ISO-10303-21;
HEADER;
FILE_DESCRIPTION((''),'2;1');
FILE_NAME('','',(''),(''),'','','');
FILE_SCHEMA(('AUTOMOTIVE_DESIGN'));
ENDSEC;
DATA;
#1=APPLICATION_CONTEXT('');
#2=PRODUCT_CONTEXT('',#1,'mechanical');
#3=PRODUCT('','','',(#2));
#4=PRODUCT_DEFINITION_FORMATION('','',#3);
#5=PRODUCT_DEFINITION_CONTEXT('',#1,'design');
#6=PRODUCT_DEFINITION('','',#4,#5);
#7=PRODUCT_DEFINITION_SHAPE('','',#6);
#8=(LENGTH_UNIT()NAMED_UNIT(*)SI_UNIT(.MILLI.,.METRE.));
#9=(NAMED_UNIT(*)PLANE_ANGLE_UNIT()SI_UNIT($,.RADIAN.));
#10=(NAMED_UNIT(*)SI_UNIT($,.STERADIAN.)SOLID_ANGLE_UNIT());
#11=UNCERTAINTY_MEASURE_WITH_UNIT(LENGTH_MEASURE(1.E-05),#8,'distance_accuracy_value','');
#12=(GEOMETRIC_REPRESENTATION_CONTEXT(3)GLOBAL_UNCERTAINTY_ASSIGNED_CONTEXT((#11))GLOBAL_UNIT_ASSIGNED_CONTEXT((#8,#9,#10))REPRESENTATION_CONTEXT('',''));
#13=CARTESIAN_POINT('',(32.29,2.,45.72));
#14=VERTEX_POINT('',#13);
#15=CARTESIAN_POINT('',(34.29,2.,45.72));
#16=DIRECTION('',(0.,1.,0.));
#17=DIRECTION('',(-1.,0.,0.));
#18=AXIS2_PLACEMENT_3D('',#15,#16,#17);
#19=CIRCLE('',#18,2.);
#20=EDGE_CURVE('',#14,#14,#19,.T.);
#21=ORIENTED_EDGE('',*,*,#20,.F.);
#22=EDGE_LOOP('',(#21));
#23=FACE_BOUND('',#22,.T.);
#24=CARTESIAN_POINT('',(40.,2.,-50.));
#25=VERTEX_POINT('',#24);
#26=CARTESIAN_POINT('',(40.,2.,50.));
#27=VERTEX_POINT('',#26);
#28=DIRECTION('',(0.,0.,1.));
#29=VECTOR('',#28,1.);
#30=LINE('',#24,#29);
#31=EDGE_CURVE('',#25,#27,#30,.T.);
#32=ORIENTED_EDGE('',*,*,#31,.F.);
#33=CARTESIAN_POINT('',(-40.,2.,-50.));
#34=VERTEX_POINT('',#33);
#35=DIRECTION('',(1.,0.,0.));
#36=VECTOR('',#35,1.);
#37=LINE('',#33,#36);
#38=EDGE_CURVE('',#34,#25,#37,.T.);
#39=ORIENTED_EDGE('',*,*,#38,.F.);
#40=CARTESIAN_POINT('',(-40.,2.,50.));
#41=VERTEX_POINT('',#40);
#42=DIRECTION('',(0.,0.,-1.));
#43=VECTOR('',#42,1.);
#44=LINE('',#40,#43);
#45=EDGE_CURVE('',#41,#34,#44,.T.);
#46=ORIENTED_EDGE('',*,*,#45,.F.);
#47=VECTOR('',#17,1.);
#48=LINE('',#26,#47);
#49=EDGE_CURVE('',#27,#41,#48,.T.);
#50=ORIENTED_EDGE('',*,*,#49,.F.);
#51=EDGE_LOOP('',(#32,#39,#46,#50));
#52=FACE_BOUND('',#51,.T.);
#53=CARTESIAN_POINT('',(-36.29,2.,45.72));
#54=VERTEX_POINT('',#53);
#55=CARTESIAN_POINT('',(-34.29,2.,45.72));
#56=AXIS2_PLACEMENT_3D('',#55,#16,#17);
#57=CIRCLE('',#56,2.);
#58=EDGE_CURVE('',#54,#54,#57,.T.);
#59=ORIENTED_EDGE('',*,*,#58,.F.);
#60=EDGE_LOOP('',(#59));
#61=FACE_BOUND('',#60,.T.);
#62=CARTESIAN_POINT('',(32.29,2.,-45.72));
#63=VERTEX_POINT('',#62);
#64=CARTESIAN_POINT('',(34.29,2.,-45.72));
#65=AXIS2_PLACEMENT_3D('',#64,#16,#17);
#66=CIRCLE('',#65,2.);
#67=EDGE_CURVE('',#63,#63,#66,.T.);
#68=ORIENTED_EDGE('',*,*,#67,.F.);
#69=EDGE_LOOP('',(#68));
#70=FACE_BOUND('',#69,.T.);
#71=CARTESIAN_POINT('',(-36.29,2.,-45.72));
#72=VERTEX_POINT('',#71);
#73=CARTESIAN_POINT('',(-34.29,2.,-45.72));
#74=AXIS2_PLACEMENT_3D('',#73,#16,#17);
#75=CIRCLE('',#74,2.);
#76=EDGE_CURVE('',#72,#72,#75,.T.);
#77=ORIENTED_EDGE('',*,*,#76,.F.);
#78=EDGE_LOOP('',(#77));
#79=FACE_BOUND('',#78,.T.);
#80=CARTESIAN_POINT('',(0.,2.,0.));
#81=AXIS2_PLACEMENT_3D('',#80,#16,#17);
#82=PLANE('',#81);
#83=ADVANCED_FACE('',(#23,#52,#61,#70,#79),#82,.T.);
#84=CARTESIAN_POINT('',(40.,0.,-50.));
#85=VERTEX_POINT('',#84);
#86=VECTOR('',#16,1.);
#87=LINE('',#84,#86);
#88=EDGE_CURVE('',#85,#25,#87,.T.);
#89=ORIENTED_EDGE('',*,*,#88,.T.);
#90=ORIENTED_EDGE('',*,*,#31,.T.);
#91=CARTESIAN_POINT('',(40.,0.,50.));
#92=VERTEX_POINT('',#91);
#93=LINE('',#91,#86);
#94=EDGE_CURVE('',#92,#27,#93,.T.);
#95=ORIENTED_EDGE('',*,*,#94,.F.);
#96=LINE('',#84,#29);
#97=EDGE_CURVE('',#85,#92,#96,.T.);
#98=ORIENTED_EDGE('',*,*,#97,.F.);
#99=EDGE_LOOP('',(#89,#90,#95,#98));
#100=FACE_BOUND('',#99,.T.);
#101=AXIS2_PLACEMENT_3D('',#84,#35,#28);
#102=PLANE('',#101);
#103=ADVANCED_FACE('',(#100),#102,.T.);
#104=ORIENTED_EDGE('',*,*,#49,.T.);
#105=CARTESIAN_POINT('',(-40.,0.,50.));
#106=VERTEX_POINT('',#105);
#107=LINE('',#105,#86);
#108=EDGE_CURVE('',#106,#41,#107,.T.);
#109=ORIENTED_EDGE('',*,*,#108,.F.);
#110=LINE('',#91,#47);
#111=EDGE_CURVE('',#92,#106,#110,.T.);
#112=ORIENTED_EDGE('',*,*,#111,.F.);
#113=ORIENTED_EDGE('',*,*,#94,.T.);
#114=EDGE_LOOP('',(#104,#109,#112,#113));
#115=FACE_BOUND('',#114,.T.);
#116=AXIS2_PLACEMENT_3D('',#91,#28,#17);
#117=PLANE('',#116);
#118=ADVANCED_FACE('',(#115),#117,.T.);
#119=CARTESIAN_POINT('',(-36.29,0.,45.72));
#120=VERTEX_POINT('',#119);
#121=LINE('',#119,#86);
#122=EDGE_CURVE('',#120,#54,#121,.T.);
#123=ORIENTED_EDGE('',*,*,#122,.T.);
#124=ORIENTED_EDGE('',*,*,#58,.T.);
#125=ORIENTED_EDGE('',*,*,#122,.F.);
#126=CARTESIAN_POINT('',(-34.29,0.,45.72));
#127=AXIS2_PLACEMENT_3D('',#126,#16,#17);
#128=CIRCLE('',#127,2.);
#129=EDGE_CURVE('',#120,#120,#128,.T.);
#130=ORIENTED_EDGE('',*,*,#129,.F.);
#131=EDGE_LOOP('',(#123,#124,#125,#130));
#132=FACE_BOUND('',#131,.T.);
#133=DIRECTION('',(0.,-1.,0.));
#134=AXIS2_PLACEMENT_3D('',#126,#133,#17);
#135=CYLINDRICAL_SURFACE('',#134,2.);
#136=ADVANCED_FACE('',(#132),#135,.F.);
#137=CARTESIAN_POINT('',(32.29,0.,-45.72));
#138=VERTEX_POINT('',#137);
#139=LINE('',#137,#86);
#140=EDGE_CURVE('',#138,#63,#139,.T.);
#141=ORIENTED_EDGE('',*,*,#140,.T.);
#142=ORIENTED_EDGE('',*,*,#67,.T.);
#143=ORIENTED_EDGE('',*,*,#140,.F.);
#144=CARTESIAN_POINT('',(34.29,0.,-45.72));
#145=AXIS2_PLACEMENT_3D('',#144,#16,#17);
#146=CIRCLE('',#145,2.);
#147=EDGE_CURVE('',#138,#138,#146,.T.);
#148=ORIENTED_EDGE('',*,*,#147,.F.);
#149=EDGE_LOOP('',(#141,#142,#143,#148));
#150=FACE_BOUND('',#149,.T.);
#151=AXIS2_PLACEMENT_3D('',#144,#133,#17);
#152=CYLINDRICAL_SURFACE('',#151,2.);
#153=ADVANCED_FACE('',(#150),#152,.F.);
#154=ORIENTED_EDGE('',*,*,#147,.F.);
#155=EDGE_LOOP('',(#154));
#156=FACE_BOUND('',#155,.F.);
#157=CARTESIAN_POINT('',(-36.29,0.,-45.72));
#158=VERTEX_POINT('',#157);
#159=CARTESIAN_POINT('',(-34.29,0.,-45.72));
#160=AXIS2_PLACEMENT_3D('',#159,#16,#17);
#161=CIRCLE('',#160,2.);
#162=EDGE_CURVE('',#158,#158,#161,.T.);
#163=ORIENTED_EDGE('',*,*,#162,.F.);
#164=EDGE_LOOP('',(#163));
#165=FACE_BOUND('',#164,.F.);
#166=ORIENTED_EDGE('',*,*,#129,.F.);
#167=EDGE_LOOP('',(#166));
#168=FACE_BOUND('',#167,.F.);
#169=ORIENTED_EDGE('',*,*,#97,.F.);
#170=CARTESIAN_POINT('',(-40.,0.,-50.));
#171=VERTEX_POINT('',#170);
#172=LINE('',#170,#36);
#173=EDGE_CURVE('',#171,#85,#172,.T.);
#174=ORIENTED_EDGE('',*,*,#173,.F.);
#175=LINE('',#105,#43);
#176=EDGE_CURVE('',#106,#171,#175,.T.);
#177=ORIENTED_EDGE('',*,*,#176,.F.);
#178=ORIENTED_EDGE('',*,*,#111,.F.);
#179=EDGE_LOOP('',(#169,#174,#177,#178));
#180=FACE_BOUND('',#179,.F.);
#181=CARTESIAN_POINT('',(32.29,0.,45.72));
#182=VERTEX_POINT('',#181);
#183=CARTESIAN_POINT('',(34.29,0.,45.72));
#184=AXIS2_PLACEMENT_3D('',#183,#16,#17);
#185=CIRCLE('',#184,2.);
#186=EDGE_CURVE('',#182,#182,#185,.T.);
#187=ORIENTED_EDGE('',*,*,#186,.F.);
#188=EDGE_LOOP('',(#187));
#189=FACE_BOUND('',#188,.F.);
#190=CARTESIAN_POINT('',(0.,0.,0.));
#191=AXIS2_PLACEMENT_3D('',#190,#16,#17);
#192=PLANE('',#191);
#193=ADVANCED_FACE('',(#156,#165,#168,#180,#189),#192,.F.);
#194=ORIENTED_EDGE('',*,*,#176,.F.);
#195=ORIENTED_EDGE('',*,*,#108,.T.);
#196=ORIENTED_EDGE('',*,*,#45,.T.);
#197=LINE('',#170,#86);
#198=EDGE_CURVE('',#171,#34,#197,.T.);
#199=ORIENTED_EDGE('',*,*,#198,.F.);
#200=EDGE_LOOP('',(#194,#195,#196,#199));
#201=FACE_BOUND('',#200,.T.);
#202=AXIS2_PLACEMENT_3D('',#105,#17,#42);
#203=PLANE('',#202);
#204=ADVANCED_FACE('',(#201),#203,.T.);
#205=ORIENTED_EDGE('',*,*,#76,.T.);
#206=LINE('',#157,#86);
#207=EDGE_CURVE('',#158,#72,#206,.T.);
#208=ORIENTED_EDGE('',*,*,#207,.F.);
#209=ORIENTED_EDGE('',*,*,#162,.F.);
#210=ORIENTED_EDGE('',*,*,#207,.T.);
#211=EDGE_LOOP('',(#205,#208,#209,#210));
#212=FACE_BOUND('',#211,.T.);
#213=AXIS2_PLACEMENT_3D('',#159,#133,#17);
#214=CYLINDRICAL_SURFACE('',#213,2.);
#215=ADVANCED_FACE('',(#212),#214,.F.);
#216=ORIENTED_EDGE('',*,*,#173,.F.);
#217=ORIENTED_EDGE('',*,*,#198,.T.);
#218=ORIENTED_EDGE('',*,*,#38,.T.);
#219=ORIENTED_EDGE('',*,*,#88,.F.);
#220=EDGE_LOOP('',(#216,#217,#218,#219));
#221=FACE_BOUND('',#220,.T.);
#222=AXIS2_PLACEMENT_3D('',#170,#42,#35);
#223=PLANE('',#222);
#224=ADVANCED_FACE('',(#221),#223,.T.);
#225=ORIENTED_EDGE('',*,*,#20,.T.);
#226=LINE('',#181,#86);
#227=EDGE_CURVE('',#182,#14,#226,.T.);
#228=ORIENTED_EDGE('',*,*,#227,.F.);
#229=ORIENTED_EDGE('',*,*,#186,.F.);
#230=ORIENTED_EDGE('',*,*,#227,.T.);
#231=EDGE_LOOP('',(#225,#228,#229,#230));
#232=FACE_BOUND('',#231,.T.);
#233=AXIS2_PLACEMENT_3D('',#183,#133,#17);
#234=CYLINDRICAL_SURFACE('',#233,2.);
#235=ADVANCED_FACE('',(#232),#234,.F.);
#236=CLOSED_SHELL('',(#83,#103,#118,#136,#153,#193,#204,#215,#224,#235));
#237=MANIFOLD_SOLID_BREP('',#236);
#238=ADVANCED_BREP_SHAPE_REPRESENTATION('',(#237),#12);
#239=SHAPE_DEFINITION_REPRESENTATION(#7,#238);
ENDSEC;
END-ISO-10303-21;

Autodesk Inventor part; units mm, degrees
ref_plane "YZ Plane" through (0, 0, 0) normal (1, 0, 0) x (0, 1, 0)
ref_plane "XZ Plane" through (0, 0, 0) normal (0, 1, 0) x (-1, 0, 0)
ref_plane "XY Plane" through (0, 0, 0) normal (0, 0, 1) x (1, 0, 0)
sketch "Sketch1" plane through (0, 0, 0) normal (0, 1, 0) x (-1, 0, 0)
  line L0 (-40, 50) -> (40, 50)
  line L1 (40, 50) -> (40, -50)
  line L2 (40, -50) -> (-40, -50)
  line L3 (-40, -50) -> (-40, 50)
  line L4 (-40, 50) -> (40, -50) construction
  line L5 (40, 50) -> (-40, -50) construction
  circle A0 centre (34.29, 45.72) radius 2
  line L6 (-34.29, 45.72) -> (34.29, 45.72) construction
  line L7 (34.29, 45.72) -> (34.29, -45.72) construction
  line L8 (34.29, -45.72) -> (-34.29, -45.72) construction
  line L9 (-34.29, -45.72) -> (-34.29, 45.72) construction
  line L10 (-34.29, 45.72) -> (34.29, -45.72) construction
  line L11 (34.29, 45.72) -> (-34.29, -45.72) construction
  circle A1 centre (34.29, -45.72) radius 2
  circle A2 centre (-34.29, -45.72) radius 2
  circle A3 centre (-34.29, 45.72) radius 2
  point P0 (0, 0)
  dimension "d0" = 100
  dimension "d1" = 80
  dimension "d2" = 4
  dimension "d15" = 91.44
  dimension "d16" = 68.58
  dimension "d17" = 4
  dimension "d18" = 4
  dimension "d19" = 4
extrude "Extrusion1" add sketch "Sketch1" along normal blind 2
properties part number "PCB" material "ABS Plastic"
